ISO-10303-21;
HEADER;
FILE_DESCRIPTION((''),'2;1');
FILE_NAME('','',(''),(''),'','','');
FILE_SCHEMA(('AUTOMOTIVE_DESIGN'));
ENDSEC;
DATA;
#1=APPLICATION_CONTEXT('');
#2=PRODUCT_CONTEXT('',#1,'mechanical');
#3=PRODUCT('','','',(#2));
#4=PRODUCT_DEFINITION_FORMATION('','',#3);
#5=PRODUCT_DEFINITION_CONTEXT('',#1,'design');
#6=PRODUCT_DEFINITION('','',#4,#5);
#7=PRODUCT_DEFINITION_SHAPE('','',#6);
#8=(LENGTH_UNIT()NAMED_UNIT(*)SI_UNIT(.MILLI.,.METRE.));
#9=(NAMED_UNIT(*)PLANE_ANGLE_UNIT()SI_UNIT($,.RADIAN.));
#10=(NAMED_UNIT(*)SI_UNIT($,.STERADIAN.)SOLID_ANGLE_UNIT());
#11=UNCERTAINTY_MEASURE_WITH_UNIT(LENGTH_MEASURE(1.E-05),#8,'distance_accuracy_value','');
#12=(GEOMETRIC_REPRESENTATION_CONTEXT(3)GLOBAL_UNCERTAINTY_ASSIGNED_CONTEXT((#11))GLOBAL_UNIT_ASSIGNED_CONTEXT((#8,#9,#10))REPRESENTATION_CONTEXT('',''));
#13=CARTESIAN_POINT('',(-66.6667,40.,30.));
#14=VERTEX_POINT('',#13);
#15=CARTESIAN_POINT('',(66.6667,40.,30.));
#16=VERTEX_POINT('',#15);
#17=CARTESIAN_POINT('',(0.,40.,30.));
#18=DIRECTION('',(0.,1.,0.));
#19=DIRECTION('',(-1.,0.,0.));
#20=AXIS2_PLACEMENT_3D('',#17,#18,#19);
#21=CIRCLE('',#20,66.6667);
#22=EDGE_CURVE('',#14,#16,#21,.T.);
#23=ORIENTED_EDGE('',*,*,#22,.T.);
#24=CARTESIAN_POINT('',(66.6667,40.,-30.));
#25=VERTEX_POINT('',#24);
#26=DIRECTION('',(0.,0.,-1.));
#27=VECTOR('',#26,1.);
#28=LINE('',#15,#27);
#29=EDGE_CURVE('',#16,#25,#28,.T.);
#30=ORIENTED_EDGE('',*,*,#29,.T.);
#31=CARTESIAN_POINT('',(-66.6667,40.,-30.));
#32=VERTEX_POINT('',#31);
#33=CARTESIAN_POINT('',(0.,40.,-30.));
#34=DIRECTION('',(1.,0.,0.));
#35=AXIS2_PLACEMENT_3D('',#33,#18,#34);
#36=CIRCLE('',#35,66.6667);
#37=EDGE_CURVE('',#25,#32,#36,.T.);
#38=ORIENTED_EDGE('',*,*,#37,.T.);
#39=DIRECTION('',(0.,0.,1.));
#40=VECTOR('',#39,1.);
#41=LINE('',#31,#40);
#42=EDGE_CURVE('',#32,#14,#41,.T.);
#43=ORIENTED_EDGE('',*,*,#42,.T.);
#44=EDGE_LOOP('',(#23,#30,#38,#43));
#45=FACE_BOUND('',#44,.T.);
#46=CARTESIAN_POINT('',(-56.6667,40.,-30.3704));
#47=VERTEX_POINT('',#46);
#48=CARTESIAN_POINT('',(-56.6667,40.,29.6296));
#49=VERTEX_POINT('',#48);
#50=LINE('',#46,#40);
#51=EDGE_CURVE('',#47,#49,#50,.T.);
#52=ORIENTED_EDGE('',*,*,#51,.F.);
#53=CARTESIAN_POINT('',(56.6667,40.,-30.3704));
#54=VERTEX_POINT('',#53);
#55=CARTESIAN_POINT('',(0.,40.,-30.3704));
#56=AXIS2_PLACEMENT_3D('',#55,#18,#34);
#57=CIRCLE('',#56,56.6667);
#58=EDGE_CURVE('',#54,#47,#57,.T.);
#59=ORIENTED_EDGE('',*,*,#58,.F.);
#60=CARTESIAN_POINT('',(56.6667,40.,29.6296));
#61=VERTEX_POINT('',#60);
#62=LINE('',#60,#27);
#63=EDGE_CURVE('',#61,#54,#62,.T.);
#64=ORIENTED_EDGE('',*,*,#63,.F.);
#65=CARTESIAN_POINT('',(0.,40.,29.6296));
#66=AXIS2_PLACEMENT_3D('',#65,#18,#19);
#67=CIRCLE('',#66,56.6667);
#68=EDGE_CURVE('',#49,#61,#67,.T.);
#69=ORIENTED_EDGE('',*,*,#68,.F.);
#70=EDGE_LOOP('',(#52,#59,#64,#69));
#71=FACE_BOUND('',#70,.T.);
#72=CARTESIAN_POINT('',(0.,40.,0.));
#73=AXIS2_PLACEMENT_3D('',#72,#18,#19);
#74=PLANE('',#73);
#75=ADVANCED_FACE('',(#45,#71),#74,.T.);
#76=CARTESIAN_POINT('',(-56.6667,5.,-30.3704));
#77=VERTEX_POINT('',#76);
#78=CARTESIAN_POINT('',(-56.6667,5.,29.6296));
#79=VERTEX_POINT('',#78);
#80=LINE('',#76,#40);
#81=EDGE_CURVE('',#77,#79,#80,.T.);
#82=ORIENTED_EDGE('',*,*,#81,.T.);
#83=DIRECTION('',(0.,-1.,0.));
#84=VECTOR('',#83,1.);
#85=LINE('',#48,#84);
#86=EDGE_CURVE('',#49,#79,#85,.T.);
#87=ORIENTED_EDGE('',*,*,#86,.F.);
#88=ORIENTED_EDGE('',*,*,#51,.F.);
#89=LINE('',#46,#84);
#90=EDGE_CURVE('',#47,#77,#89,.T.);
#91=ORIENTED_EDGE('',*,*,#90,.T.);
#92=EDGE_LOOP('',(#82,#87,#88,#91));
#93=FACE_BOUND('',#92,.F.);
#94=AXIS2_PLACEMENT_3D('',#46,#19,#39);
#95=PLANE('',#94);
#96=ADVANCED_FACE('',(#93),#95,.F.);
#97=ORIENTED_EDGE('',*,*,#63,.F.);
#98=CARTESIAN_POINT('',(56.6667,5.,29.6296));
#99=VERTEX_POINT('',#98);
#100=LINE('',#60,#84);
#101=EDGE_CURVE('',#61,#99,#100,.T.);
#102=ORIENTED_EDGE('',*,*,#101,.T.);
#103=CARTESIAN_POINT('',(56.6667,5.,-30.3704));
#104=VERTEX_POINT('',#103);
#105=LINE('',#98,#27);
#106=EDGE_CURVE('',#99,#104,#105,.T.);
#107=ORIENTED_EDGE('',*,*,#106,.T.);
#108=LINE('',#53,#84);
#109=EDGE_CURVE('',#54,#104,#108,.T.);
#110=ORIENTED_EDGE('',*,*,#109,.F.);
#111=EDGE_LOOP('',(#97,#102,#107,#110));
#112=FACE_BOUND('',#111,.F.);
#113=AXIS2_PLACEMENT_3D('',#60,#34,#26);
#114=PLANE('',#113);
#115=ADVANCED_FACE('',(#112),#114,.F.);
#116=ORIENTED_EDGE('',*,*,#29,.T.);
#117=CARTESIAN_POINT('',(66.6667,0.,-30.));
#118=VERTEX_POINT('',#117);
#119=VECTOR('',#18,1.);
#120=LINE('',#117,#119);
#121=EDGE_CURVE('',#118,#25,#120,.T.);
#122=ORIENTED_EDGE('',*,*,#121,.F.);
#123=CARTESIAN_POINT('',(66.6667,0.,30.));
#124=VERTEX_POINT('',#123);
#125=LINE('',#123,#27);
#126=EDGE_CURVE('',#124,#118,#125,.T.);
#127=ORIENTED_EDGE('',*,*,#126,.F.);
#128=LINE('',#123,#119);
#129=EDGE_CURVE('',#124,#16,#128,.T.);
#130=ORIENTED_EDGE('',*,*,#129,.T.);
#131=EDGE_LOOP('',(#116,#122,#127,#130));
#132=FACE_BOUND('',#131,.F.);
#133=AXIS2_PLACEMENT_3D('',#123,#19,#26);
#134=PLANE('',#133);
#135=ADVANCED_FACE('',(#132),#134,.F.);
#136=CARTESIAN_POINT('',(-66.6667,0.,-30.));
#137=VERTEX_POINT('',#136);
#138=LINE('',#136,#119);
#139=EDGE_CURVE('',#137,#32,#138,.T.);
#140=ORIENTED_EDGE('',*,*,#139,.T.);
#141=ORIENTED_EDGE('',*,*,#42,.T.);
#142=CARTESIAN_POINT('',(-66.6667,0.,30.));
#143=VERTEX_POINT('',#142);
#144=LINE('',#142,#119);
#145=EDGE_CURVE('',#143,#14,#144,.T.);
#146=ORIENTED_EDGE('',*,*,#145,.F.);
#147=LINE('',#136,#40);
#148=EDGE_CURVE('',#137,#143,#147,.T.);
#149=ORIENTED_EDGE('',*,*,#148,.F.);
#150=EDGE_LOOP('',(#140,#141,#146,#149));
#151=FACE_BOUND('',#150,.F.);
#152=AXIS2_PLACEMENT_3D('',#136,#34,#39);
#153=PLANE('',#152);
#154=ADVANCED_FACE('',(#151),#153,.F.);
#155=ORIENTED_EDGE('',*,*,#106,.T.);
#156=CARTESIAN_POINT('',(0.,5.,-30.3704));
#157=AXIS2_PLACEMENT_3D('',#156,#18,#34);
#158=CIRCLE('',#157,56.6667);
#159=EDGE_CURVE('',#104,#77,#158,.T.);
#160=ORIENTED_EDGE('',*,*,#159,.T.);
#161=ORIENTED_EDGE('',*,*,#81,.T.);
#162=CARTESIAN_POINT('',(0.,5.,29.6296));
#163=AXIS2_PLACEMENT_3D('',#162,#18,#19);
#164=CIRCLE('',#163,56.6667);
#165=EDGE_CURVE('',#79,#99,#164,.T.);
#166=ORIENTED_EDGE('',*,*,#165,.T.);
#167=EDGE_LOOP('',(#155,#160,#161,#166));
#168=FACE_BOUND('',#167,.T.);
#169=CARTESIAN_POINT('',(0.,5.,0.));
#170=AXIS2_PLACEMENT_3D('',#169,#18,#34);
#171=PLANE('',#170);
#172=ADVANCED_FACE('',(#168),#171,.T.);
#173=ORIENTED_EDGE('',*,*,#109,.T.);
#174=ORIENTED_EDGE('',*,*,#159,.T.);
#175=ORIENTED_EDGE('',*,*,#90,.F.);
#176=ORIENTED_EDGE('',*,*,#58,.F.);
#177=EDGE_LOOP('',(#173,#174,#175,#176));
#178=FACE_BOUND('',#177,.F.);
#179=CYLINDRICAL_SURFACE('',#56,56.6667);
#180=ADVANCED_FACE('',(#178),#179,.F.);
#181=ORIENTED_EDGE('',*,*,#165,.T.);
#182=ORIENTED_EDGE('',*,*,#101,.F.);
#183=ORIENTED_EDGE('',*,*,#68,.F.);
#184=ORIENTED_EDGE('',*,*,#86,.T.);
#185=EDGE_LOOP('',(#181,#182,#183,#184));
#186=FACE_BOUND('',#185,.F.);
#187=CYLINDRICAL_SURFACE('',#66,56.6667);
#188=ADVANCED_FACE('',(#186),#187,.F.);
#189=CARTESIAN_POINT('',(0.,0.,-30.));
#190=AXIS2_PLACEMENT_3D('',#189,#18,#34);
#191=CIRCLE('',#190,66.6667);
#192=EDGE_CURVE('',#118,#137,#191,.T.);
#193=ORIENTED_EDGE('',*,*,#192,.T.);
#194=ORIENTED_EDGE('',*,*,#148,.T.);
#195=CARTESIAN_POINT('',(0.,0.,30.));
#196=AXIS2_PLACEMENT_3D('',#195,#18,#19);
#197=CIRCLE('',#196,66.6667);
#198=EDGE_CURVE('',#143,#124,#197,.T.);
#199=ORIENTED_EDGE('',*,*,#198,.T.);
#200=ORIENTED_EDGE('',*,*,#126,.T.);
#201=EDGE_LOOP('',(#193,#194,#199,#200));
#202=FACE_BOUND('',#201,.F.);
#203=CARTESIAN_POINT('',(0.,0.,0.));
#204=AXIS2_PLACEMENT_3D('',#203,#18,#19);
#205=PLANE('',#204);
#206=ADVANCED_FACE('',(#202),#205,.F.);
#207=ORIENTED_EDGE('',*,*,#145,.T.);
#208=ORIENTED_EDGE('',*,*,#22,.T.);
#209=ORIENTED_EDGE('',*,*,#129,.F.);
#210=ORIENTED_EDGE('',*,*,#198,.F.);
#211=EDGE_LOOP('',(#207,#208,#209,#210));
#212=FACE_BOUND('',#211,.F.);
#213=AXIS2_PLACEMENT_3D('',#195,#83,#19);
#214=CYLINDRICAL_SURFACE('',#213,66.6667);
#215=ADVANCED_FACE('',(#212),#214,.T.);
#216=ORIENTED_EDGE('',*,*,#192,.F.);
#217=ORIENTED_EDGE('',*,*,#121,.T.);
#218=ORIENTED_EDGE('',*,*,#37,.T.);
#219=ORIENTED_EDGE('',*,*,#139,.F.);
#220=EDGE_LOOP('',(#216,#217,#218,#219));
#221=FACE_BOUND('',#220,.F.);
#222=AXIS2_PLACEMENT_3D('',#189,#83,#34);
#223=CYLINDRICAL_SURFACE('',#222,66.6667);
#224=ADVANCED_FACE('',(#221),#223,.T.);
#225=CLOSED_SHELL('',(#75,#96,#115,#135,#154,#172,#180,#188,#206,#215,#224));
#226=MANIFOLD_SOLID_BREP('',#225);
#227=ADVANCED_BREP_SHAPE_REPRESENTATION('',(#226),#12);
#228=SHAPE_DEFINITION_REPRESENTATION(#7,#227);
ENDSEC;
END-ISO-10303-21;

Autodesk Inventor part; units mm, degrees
ref_plane "YZ Plane" through (0, 0, 0) normal (1, 0, 0) x (0, 1, 0)
ref_plane "XZ Plane" through (0, 0, 0) normal (0, 1, 0) x (-1, 0, 0)
ref_plane "XY Plane" through (0, 0, 0) normal (0, 0, 1) x (1, 0, 0)
sketch "Boceto1" plane through (0, 0, 0) normal (0, 1, 0) x (-1, 0, 0)
  line L0 (66.6667, 30) -> (-66.6667, 30)
  line L1 (-66.6667, 30) -> (-66.6667, -30)
  line L2 (-66.6667, -30) -> (66.6667, -30)
  line L3 (66.6667, -30) -> (66.6667, 30)
  arc A0 (66.6667, 30) -> (-66.6667, 30) centre (0, 30) ccw
  arc A1 (-66.6667, -30) -> (66.6667, -30) centre (0, -30) ccw
  point P0 (0, 0)
  dimension "d0" = 60
  dimension "d1" = 30
  dimension "d2" = 133.3333
extrude "Extrusión1" add sketch "Boceto1" along normal blind 40
sketch "Boceto2" plane through (0, 40, 0) normal (0, 1, 0) x (1, 0, 0)
  line L0 (-56.6667, -29.6296) -> (56.6667, -29.6296)
  line L1 (56.6667, -29.6296) -> (56.6667, 30.3704)
  line L2 (56.6667, 30.3704) -> (-56.6667, 30.3704)
  line L3 (-56.6667, 30.3704) -> (-56.6667, -29.6296)
  line L4 (66.6667, -30) -> (66.6667, 30) projected
  arc A0 (66.6667, 30) -> (-66.6667, 30) centre (0, 30) ccw projected
  line L5 (-66.6667, 30) -> (-66.6667, -30) projected
  arc A1 (-66.6667, -30) -> (66.6667, -30) centre (0, -30) ccw projected
  arc A2 (-56.6667, -29.6296) -> (56.6667, -29.6296) centre (0, -29.6296) ccw
  arc A3 (56.6667, 30.3704) -> (-56.6667, 30.3704) centre (0, 30.3704) ccw
  point P0 (0, 0)
  dimension "d5" = 60
  dimension "d6" = 10
  dimension "d7" = 10
extrude "Extrusión2" cut sketch "Boceto2" against normal blind 35 contours L3 L2 L1 L0 | L0 A2 | A3 L2
equation "\"d1\" = 0.5 * d0"
properties part number "Riel2"
